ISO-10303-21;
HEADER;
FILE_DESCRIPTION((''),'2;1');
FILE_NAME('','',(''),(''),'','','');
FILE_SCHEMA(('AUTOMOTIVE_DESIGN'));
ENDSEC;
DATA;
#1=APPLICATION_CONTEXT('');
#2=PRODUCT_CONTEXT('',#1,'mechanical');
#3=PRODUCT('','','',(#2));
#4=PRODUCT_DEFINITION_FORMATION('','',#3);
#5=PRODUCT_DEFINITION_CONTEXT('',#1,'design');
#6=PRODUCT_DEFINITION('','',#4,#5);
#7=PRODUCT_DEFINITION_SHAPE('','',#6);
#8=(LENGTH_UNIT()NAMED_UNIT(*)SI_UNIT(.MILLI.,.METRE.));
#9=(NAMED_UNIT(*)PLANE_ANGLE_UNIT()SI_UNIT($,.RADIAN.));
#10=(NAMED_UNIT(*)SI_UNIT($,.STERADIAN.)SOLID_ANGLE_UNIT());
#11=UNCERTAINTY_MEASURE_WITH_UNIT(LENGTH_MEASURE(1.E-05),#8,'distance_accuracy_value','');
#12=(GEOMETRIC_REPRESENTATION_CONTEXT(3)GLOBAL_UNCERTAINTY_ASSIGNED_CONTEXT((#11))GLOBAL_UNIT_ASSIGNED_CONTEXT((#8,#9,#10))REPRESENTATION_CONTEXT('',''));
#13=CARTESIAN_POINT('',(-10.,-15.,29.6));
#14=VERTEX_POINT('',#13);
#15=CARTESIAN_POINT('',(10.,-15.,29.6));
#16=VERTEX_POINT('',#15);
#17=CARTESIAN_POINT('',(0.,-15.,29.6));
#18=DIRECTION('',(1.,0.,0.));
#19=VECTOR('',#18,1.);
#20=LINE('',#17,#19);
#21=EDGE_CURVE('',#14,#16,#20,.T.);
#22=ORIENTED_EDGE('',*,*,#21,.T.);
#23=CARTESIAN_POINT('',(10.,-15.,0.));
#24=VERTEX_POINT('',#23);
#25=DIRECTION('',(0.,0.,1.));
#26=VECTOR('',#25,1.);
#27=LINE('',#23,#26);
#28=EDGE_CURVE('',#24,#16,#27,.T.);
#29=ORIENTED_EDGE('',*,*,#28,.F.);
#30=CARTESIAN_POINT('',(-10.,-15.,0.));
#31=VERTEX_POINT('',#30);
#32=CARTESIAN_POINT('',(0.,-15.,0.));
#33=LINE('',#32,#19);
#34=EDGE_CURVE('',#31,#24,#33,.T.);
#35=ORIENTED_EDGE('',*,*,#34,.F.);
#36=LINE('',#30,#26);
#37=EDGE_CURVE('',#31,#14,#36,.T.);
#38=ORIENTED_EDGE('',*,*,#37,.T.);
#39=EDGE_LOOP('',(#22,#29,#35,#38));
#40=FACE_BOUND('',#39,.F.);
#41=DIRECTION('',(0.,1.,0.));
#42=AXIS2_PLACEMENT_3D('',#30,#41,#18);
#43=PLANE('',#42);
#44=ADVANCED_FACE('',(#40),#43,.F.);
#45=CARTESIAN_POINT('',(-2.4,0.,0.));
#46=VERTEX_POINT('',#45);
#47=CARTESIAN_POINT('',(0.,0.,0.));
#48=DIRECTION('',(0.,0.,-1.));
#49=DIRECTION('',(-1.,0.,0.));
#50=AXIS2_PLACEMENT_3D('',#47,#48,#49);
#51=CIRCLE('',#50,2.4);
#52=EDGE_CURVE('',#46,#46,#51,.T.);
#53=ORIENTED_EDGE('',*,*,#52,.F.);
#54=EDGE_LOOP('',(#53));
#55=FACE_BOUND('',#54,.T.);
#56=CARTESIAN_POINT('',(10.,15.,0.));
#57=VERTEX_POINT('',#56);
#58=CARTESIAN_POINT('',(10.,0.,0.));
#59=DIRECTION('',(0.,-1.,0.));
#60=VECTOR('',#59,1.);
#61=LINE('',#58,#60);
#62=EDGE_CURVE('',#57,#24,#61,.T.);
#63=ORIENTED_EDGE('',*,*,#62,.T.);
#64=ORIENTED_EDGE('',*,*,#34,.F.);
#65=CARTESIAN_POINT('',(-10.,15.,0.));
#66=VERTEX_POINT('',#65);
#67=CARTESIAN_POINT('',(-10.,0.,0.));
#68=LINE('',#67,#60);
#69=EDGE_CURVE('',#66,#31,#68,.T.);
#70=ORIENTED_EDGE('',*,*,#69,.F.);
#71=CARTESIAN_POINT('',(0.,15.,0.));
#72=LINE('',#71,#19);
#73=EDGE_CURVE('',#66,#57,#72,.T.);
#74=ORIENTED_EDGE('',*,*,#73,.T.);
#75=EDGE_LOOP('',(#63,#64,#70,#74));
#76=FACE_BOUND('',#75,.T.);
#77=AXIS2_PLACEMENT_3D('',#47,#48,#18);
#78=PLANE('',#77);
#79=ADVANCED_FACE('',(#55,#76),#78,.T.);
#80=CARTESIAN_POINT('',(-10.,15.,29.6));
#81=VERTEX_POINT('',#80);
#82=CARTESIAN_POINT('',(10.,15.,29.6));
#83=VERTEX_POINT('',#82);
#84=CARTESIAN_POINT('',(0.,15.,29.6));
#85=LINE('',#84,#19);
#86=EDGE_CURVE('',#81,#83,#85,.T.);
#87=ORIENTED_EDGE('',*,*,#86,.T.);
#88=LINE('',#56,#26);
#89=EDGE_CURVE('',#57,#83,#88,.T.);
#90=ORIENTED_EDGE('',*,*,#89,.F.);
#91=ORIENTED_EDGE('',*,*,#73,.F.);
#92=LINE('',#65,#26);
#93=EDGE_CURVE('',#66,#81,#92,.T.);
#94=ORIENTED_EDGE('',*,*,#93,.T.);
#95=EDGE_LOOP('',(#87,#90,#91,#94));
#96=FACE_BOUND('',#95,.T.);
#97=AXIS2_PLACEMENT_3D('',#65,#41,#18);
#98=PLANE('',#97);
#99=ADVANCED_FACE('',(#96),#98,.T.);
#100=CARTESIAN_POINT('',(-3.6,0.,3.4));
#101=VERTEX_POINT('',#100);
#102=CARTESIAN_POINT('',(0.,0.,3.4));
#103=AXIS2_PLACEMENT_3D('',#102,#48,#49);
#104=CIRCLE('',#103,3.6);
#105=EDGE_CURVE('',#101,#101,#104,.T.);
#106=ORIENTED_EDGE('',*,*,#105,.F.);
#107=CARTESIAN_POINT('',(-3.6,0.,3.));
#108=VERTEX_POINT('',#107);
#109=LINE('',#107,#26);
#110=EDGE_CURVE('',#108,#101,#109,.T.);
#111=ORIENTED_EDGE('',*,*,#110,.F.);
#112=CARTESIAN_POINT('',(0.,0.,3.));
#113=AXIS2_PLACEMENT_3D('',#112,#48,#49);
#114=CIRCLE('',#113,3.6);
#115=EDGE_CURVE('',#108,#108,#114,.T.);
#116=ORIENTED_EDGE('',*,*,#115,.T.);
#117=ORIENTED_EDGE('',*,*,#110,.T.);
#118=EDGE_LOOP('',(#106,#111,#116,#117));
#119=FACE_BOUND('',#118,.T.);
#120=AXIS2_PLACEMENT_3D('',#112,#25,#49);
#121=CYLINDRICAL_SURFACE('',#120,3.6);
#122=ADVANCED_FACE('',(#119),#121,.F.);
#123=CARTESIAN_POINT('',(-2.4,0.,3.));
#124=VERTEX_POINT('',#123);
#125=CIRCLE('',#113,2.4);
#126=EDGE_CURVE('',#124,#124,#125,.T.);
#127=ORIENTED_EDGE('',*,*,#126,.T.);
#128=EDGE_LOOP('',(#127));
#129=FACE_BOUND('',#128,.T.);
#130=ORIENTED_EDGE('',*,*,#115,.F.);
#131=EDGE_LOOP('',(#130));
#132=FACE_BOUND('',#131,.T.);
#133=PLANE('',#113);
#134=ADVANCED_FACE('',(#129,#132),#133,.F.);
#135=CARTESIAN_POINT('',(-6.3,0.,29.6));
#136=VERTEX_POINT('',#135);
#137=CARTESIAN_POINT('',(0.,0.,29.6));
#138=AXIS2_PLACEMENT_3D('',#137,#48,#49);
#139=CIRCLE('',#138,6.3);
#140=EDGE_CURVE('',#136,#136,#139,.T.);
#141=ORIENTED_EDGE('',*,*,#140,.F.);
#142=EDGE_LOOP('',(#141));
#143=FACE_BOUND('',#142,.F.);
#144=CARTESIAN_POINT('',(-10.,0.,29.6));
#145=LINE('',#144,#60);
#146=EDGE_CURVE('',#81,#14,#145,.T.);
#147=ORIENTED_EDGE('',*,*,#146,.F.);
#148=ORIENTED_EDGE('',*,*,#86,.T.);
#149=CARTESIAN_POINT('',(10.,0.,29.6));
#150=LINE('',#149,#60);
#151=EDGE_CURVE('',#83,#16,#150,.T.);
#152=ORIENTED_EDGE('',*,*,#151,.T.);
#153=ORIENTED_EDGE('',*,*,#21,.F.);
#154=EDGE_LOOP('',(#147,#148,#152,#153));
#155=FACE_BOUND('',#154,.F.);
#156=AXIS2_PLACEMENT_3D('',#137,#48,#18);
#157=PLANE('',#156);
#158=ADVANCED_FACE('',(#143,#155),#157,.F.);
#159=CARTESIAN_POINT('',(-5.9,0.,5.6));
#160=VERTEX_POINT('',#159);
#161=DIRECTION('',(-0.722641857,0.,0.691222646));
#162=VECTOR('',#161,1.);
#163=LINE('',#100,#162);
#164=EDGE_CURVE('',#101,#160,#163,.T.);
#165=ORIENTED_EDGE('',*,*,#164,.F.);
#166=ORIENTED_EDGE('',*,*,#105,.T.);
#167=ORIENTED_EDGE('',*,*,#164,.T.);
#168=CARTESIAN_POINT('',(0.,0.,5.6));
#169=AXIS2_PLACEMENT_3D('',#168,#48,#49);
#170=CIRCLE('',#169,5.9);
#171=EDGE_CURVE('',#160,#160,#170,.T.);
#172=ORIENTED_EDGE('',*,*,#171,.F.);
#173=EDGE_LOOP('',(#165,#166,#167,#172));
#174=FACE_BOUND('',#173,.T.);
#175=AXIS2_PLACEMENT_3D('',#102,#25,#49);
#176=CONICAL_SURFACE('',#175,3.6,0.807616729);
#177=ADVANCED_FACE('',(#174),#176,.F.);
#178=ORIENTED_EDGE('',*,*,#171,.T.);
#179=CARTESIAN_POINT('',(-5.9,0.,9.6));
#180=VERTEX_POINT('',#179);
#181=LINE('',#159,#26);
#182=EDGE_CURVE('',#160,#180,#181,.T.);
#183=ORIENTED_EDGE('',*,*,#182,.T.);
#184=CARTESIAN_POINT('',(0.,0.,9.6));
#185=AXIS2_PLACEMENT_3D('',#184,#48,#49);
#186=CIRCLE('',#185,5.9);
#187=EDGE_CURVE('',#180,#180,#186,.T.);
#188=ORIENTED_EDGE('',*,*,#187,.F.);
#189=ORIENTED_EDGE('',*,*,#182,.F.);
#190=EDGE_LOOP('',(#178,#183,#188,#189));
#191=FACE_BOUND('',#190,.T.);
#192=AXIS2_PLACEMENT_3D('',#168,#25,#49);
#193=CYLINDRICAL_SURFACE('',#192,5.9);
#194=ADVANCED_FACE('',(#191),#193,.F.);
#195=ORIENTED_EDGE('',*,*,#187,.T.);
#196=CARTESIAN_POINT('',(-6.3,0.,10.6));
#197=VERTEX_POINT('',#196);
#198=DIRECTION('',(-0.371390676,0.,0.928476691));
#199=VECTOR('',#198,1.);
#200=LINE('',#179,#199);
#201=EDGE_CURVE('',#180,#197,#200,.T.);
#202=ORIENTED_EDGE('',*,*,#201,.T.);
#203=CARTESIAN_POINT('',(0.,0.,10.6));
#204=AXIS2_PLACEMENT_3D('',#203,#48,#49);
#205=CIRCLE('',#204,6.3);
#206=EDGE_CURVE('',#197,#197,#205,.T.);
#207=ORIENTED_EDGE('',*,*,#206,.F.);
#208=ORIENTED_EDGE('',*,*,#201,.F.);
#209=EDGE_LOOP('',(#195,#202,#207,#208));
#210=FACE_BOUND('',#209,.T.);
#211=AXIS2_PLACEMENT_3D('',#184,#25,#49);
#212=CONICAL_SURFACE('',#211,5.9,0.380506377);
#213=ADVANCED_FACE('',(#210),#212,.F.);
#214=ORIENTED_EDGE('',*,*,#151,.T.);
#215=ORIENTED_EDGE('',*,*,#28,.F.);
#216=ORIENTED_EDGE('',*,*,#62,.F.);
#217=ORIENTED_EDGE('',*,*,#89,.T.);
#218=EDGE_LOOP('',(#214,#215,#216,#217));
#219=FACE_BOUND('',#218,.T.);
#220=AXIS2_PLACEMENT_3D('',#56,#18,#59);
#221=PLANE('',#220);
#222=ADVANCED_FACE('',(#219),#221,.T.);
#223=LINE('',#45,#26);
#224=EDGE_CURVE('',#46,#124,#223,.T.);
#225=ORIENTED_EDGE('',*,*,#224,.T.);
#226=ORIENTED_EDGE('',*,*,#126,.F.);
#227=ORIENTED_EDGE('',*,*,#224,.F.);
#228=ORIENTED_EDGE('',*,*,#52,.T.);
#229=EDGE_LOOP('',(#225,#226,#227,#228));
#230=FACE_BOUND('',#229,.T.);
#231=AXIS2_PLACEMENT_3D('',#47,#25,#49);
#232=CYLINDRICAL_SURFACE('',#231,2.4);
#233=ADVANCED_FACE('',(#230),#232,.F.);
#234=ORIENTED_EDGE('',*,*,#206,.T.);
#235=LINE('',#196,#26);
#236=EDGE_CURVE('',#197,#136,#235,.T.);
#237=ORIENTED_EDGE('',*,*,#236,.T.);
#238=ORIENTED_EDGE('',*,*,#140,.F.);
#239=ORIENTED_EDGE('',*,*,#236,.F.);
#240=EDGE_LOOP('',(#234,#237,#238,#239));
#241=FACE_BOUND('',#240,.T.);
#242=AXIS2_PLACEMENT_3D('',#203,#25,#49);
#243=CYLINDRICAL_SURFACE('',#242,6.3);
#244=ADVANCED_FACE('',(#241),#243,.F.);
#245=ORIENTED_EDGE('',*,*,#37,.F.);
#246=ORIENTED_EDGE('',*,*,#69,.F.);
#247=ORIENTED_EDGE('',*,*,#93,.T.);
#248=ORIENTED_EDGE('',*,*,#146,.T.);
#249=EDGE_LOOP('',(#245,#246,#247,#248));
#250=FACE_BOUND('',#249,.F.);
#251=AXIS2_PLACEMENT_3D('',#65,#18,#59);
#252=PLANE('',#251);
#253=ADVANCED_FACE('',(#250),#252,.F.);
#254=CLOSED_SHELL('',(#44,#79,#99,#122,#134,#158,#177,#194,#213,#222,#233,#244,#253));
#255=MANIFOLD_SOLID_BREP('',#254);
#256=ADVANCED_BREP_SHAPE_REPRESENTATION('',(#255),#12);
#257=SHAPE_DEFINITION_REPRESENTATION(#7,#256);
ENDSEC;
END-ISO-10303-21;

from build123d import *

# Parameters (mm, degrees)
F2_W     = 20
F2_H     = 30
F2_R     = 8.3
F3_DEPTH = 29.6


with BuildPart() as f1:
    # F0 (on Front) → F1 (revolve)
    with BuildSketch(Plane.XZ):
        Polygon((-3.6, 3), (-3.6, 3.4), (-5.9, 5.6), (-5.9, 9.6), (-6.3, 10.6), (-6.3, 29.6), (-8.3, 29.6), (-8.3, 0), (-2.4, 0), (-2.4, 3), align=None)
    revolve(axis=Axis((0, 0, 14.8), (0, 0, -1)))

    # F2 (on face) → F3 (join)
    with BuildSketch(Plane(origin=(0, 0, 0), x_dir=(1, 0, 0), z_dir=(0, 0, -1))):
        Rectangle(F2_W, F2_H)
        Circle(F2_R, mode=Mode.SUBTRACT)
    extrude(amount=-F3_DEPTH)


solid = f1.part
